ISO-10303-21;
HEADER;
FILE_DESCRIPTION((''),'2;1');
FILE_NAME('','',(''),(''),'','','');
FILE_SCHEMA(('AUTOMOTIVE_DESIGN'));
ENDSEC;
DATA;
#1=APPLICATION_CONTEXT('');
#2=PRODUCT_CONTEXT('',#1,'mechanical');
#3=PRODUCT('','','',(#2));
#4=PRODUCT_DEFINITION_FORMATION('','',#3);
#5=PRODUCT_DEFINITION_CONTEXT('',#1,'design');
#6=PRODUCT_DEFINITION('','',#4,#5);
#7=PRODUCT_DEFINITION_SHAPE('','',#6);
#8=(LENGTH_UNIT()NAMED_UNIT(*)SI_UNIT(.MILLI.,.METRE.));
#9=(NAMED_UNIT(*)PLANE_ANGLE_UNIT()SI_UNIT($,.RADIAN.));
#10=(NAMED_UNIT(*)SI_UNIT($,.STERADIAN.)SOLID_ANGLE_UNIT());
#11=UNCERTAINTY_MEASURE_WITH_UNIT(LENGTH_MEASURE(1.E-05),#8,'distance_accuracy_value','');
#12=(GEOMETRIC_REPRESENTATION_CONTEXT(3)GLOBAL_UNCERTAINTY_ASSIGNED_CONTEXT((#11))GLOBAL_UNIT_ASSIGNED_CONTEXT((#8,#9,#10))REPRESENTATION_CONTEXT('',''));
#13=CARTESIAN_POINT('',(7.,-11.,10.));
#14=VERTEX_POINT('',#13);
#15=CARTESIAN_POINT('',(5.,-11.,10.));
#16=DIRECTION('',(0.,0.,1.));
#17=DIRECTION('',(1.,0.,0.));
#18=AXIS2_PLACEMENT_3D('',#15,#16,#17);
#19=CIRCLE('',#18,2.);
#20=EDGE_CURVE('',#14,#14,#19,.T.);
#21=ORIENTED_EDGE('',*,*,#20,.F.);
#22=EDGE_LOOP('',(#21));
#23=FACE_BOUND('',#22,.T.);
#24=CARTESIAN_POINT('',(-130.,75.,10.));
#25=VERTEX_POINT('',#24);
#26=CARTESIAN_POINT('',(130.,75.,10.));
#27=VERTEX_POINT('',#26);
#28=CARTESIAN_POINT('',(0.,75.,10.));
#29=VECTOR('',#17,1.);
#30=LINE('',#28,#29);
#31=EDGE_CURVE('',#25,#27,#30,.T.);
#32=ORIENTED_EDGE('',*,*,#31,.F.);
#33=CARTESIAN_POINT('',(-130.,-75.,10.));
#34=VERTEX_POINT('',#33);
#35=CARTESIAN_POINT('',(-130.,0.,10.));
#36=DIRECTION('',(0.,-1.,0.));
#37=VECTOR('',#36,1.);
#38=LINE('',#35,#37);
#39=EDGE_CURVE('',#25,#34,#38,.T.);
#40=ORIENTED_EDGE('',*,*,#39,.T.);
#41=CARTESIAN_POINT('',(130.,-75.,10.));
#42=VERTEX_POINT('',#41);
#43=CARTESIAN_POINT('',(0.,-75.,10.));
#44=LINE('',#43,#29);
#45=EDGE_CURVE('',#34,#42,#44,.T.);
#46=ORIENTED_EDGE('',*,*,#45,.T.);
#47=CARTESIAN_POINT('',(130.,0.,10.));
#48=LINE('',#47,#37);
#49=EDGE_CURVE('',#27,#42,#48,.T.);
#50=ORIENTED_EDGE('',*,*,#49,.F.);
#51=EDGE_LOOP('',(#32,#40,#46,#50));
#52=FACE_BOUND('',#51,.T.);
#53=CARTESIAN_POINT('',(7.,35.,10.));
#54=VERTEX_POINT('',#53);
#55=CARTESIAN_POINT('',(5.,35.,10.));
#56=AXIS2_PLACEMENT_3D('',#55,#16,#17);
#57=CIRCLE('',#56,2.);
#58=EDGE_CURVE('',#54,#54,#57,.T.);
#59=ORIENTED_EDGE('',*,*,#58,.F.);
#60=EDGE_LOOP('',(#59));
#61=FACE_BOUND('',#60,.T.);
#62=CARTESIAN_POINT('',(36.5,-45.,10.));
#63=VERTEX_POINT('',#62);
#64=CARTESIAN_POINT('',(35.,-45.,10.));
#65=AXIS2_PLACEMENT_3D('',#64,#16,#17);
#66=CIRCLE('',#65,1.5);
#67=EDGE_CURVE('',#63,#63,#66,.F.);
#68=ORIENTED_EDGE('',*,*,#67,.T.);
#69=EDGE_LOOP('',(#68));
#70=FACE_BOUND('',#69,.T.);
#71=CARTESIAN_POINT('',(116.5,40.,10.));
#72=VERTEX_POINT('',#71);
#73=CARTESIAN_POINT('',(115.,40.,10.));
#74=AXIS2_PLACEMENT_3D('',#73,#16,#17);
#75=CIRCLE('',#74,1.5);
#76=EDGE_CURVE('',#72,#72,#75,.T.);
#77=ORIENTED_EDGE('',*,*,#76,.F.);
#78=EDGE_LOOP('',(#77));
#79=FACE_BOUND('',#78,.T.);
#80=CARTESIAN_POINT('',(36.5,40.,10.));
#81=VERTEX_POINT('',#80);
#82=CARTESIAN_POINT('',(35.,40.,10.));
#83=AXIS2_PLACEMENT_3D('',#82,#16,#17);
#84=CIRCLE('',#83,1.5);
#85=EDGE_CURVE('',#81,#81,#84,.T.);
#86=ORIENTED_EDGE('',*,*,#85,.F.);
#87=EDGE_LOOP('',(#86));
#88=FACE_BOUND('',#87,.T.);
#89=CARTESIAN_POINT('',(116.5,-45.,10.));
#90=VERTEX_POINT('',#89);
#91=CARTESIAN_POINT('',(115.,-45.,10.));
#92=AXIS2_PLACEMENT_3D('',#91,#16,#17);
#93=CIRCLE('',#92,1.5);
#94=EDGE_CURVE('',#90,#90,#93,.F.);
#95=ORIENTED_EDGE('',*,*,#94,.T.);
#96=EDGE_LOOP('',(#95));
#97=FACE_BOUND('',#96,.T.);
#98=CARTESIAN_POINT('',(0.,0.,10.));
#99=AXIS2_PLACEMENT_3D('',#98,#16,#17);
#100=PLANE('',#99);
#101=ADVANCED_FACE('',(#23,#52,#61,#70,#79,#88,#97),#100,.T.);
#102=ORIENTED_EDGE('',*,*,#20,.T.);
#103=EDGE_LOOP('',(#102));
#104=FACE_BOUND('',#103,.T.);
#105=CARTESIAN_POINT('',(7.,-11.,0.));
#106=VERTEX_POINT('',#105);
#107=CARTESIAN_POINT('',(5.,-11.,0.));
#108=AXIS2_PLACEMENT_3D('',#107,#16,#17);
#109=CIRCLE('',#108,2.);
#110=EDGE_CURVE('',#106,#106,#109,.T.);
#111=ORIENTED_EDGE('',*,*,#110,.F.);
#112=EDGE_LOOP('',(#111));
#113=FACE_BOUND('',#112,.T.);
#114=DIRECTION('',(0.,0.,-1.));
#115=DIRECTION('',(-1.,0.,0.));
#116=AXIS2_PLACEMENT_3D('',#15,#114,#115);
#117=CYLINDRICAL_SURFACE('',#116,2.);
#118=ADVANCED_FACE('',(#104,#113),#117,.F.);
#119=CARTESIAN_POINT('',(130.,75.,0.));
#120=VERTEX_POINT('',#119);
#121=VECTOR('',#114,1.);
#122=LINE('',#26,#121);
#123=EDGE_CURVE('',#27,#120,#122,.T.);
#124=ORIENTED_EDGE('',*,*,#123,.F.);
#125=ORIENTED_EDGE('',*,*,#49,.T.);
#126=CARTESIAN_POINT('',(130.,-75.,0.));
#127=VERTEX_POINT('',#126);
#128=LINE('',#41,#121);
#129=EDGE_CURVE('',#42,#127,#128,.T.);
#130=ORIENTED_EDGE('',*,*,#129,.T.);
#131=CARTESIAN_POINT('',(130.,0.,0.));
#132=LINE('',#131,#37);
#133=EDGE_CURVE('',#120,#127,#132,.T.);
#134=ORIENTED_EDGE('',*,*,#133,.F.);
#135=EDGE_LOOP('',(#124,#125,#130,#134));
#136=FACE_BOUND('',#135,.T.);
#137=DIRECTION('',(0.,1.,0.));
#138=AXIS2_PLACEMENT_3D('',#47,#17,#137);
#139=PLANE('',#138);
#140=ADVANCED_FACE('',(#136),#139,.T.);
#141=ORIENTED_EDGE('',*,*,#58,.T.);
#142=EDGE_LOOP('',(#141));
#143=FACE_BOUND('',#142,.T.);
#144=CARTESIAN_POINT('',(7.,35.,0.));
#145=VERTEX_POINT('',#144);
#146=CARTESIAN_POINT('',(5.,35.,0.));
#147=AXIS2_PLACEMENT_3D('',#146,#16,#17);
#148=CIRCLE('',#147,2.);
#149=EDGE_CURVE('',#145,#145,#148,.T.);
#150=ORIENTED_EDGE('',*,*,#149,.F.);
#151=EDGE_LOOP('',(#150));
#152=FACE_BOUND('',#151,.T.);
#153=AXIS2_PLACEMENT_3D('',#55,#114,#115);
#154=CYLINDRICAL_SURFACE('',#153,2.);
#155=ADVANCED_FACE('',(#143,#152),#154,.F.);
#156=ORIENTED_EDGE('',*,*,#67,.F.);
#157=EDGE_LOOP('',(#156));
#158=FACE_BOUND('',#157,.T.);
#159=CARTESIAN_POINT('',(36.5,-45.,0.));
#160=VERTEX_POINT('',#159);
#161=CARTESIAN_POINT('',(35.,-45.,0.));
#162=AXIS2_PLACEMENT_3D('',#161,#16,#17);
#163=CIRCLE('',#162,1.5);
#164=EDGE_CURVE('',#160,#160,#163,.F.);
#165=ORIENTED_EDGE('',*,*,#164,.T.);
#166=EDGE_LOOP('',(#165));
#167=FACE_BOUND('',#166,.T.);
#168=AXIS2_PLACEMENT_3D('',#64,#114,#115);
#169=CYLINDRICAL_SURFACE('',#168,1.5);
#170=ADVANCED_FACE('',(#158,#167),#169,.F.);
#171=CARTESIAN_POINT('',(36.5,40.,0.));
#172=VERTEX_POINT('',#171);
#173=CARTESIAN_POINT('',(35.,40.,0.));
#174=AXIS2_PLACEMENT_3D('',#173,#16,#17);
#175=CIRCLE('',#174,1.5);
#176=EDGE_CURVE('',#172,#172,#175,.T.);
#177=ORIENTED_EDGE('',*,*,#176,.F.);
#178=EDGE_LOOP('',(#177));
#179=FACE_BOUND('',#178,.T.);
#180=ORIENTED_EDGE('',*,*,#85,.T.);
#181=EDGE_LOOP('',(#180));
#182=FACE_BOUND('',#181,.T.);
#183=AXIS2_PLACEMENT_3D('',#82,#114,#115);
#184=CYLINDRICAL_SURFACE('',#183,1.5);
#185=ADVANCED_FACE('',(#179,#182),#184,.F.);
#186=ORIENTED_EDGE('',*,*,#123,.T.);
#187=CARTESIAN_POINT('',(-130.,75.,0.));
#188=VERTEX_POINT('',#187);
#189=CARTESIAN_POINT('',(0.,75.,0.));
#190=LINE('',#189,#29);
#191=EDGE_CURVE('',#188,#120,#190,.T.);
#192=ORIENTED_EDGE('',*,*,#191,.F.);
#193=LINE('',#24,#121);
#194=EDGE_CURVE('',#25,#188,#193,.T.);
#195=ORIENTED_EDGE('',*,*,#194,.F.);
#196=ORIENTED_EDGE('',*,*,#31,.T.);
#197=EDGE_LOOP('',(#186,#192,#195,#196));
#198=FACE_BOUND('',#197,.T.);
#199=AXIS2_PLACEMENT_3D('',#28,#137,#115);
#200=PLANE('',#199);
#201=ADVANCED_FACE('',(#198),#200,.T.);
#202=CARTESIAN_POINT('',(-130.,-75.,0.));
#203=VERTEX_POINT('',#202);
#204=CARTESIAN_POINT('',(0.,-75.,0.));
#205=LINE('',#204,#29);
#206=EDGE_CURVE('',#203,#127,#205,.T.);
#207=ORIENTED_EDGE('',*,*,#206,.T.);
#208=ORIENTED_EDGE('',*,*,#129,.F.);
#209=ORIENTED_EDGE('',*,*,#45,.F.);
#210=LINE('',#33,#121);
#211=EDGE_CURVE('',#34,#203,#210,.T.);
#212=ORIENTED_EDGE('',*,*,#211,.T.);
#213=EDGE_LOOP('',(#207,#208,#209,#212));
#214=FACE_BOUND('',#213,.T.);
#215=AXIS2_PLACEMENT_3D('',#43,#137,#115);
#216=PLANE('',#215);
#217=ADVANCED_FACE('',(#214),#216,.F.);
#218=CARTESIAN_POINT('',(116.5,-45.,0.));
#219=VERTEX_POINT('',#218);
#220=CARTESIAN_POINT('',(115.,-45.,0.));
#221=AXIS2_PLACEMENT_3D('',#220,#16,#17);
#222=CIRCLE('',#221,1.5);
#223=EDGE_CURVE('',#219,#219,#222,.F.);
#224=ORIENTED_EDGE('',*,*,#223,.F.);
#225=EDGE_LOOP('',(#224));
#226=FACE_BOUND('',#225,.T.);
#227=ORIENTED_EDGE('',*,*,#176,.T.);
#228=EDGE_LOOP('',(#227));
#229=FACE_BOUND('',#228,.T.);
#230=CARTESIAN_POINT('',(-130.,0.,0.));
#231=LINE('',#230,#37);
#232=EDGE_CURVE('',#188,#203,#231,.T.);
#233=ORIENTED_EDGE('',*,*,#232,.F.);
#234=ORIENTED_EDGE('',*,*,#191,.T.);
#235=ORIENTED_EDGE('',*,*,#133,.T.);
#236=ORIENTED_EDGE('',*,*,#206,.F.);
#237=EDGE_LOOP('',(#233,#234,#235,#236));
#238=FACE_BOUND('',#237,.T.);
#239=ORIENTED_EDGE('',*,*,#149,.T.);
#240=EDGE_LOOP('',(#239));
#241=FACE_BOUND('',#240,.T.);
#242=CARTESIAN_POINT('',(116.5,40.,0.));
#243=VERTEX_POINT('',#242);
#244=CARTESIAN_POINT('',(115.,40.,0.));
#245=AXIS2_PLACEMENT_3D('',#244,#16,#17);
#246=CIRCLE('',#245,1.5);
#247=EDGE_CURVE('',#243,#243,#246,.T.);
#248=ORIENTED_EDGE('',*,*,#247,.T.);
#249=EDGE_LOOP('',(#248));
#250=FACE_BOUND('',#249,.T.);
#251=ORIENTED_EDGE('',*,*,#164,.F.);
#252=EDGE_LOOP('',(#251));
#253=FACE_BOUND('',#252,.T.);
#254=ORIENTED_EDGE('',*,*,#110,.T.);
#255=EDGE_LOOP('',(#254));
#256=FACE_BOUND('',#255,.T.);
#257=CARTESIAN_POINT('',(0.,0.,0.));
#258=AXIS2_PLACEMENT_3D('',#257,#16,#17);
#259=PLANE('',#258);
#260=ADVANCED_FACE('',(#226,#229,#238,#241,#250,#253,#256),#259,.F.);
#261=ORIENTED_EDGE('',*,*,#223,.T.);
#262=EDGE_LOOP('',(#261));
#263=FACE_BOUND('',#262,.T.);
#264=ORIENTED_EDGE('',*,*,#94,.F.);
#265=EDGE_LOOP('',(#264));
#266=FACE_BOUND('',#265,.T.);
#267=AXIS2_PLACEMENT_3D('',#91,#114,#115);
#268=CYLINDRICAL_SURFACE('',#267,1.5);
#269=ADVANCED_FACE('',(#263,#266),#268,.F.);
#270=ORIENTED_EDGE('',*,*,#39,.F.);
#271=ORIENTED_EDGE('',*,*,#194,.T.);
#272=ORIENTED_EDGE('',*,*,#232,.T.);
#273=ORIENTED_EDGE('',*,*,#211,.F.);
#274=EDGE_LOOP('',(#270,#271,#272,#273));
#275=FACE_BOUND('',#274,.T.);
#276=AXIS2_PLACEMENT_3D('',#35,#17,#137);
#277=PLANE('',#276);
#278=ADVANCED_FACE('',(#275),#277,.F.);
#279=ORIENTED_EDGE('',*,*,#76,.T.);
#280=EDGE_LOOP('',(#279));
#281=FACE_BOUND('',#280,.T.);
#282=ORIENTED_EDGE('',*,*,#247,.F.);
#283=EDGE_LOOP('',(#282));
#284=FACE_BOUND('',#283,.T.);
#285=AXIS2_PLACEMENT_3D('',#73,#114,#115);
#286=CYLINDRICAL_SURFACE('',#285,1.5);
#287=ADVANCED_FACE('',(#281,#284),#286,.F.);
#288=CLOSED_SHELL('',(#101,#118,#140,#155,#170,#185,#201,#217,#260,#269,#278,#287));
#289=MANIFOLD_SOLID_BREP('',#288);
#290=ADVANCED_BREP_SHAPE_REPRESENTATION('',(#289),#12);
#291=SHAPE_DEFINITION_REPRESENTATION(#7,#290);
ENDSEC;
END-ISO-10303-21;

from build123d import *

# Parameters (mm, degrees)
ESBO_O1_W                = 260
ESBO_O1_H                = 150
ESBO_O1_R                = 1.5
ESBO_O1_R_2              = 2
RESSALTO_EXTRUS_O1_DEPTH = 10


with BuildPart() as part:
    # Esboço1 → Ressalto-extrusão1 (new body)
    with BuildSketch(Plane.XY):
        Rectangle(ESBO_O1_W, ESBO_O1_H)
        with Locations((115, 40)):
            Circle(ESBO_O1_R, mode=Mode.SUBTRACT)
        with Locations((115, -45)):
            Circle(ESBO_O1_R, mode=Mode.SUBTRACT)
        with Locations((35, -45)):
            Circle(ESBO_O1_R, mode=Mode.SUBTRACT)
        with Locations((35, 40)):
            Circle(ESBO_O1_R, mode=Mode.SUBTRACT)
        with Locations((5, 35)):
            Circle(ESBO_O1_R_2, mode=Mode.SUBTRACT)
        with Locations((5, -11)):
            Circle(ESBO_O1_R_2, mode=Mode.SUBTRACT)
    extrude(amount=RESSALTO_EXTRUS_O1_DEPTH)


solid = part.part
